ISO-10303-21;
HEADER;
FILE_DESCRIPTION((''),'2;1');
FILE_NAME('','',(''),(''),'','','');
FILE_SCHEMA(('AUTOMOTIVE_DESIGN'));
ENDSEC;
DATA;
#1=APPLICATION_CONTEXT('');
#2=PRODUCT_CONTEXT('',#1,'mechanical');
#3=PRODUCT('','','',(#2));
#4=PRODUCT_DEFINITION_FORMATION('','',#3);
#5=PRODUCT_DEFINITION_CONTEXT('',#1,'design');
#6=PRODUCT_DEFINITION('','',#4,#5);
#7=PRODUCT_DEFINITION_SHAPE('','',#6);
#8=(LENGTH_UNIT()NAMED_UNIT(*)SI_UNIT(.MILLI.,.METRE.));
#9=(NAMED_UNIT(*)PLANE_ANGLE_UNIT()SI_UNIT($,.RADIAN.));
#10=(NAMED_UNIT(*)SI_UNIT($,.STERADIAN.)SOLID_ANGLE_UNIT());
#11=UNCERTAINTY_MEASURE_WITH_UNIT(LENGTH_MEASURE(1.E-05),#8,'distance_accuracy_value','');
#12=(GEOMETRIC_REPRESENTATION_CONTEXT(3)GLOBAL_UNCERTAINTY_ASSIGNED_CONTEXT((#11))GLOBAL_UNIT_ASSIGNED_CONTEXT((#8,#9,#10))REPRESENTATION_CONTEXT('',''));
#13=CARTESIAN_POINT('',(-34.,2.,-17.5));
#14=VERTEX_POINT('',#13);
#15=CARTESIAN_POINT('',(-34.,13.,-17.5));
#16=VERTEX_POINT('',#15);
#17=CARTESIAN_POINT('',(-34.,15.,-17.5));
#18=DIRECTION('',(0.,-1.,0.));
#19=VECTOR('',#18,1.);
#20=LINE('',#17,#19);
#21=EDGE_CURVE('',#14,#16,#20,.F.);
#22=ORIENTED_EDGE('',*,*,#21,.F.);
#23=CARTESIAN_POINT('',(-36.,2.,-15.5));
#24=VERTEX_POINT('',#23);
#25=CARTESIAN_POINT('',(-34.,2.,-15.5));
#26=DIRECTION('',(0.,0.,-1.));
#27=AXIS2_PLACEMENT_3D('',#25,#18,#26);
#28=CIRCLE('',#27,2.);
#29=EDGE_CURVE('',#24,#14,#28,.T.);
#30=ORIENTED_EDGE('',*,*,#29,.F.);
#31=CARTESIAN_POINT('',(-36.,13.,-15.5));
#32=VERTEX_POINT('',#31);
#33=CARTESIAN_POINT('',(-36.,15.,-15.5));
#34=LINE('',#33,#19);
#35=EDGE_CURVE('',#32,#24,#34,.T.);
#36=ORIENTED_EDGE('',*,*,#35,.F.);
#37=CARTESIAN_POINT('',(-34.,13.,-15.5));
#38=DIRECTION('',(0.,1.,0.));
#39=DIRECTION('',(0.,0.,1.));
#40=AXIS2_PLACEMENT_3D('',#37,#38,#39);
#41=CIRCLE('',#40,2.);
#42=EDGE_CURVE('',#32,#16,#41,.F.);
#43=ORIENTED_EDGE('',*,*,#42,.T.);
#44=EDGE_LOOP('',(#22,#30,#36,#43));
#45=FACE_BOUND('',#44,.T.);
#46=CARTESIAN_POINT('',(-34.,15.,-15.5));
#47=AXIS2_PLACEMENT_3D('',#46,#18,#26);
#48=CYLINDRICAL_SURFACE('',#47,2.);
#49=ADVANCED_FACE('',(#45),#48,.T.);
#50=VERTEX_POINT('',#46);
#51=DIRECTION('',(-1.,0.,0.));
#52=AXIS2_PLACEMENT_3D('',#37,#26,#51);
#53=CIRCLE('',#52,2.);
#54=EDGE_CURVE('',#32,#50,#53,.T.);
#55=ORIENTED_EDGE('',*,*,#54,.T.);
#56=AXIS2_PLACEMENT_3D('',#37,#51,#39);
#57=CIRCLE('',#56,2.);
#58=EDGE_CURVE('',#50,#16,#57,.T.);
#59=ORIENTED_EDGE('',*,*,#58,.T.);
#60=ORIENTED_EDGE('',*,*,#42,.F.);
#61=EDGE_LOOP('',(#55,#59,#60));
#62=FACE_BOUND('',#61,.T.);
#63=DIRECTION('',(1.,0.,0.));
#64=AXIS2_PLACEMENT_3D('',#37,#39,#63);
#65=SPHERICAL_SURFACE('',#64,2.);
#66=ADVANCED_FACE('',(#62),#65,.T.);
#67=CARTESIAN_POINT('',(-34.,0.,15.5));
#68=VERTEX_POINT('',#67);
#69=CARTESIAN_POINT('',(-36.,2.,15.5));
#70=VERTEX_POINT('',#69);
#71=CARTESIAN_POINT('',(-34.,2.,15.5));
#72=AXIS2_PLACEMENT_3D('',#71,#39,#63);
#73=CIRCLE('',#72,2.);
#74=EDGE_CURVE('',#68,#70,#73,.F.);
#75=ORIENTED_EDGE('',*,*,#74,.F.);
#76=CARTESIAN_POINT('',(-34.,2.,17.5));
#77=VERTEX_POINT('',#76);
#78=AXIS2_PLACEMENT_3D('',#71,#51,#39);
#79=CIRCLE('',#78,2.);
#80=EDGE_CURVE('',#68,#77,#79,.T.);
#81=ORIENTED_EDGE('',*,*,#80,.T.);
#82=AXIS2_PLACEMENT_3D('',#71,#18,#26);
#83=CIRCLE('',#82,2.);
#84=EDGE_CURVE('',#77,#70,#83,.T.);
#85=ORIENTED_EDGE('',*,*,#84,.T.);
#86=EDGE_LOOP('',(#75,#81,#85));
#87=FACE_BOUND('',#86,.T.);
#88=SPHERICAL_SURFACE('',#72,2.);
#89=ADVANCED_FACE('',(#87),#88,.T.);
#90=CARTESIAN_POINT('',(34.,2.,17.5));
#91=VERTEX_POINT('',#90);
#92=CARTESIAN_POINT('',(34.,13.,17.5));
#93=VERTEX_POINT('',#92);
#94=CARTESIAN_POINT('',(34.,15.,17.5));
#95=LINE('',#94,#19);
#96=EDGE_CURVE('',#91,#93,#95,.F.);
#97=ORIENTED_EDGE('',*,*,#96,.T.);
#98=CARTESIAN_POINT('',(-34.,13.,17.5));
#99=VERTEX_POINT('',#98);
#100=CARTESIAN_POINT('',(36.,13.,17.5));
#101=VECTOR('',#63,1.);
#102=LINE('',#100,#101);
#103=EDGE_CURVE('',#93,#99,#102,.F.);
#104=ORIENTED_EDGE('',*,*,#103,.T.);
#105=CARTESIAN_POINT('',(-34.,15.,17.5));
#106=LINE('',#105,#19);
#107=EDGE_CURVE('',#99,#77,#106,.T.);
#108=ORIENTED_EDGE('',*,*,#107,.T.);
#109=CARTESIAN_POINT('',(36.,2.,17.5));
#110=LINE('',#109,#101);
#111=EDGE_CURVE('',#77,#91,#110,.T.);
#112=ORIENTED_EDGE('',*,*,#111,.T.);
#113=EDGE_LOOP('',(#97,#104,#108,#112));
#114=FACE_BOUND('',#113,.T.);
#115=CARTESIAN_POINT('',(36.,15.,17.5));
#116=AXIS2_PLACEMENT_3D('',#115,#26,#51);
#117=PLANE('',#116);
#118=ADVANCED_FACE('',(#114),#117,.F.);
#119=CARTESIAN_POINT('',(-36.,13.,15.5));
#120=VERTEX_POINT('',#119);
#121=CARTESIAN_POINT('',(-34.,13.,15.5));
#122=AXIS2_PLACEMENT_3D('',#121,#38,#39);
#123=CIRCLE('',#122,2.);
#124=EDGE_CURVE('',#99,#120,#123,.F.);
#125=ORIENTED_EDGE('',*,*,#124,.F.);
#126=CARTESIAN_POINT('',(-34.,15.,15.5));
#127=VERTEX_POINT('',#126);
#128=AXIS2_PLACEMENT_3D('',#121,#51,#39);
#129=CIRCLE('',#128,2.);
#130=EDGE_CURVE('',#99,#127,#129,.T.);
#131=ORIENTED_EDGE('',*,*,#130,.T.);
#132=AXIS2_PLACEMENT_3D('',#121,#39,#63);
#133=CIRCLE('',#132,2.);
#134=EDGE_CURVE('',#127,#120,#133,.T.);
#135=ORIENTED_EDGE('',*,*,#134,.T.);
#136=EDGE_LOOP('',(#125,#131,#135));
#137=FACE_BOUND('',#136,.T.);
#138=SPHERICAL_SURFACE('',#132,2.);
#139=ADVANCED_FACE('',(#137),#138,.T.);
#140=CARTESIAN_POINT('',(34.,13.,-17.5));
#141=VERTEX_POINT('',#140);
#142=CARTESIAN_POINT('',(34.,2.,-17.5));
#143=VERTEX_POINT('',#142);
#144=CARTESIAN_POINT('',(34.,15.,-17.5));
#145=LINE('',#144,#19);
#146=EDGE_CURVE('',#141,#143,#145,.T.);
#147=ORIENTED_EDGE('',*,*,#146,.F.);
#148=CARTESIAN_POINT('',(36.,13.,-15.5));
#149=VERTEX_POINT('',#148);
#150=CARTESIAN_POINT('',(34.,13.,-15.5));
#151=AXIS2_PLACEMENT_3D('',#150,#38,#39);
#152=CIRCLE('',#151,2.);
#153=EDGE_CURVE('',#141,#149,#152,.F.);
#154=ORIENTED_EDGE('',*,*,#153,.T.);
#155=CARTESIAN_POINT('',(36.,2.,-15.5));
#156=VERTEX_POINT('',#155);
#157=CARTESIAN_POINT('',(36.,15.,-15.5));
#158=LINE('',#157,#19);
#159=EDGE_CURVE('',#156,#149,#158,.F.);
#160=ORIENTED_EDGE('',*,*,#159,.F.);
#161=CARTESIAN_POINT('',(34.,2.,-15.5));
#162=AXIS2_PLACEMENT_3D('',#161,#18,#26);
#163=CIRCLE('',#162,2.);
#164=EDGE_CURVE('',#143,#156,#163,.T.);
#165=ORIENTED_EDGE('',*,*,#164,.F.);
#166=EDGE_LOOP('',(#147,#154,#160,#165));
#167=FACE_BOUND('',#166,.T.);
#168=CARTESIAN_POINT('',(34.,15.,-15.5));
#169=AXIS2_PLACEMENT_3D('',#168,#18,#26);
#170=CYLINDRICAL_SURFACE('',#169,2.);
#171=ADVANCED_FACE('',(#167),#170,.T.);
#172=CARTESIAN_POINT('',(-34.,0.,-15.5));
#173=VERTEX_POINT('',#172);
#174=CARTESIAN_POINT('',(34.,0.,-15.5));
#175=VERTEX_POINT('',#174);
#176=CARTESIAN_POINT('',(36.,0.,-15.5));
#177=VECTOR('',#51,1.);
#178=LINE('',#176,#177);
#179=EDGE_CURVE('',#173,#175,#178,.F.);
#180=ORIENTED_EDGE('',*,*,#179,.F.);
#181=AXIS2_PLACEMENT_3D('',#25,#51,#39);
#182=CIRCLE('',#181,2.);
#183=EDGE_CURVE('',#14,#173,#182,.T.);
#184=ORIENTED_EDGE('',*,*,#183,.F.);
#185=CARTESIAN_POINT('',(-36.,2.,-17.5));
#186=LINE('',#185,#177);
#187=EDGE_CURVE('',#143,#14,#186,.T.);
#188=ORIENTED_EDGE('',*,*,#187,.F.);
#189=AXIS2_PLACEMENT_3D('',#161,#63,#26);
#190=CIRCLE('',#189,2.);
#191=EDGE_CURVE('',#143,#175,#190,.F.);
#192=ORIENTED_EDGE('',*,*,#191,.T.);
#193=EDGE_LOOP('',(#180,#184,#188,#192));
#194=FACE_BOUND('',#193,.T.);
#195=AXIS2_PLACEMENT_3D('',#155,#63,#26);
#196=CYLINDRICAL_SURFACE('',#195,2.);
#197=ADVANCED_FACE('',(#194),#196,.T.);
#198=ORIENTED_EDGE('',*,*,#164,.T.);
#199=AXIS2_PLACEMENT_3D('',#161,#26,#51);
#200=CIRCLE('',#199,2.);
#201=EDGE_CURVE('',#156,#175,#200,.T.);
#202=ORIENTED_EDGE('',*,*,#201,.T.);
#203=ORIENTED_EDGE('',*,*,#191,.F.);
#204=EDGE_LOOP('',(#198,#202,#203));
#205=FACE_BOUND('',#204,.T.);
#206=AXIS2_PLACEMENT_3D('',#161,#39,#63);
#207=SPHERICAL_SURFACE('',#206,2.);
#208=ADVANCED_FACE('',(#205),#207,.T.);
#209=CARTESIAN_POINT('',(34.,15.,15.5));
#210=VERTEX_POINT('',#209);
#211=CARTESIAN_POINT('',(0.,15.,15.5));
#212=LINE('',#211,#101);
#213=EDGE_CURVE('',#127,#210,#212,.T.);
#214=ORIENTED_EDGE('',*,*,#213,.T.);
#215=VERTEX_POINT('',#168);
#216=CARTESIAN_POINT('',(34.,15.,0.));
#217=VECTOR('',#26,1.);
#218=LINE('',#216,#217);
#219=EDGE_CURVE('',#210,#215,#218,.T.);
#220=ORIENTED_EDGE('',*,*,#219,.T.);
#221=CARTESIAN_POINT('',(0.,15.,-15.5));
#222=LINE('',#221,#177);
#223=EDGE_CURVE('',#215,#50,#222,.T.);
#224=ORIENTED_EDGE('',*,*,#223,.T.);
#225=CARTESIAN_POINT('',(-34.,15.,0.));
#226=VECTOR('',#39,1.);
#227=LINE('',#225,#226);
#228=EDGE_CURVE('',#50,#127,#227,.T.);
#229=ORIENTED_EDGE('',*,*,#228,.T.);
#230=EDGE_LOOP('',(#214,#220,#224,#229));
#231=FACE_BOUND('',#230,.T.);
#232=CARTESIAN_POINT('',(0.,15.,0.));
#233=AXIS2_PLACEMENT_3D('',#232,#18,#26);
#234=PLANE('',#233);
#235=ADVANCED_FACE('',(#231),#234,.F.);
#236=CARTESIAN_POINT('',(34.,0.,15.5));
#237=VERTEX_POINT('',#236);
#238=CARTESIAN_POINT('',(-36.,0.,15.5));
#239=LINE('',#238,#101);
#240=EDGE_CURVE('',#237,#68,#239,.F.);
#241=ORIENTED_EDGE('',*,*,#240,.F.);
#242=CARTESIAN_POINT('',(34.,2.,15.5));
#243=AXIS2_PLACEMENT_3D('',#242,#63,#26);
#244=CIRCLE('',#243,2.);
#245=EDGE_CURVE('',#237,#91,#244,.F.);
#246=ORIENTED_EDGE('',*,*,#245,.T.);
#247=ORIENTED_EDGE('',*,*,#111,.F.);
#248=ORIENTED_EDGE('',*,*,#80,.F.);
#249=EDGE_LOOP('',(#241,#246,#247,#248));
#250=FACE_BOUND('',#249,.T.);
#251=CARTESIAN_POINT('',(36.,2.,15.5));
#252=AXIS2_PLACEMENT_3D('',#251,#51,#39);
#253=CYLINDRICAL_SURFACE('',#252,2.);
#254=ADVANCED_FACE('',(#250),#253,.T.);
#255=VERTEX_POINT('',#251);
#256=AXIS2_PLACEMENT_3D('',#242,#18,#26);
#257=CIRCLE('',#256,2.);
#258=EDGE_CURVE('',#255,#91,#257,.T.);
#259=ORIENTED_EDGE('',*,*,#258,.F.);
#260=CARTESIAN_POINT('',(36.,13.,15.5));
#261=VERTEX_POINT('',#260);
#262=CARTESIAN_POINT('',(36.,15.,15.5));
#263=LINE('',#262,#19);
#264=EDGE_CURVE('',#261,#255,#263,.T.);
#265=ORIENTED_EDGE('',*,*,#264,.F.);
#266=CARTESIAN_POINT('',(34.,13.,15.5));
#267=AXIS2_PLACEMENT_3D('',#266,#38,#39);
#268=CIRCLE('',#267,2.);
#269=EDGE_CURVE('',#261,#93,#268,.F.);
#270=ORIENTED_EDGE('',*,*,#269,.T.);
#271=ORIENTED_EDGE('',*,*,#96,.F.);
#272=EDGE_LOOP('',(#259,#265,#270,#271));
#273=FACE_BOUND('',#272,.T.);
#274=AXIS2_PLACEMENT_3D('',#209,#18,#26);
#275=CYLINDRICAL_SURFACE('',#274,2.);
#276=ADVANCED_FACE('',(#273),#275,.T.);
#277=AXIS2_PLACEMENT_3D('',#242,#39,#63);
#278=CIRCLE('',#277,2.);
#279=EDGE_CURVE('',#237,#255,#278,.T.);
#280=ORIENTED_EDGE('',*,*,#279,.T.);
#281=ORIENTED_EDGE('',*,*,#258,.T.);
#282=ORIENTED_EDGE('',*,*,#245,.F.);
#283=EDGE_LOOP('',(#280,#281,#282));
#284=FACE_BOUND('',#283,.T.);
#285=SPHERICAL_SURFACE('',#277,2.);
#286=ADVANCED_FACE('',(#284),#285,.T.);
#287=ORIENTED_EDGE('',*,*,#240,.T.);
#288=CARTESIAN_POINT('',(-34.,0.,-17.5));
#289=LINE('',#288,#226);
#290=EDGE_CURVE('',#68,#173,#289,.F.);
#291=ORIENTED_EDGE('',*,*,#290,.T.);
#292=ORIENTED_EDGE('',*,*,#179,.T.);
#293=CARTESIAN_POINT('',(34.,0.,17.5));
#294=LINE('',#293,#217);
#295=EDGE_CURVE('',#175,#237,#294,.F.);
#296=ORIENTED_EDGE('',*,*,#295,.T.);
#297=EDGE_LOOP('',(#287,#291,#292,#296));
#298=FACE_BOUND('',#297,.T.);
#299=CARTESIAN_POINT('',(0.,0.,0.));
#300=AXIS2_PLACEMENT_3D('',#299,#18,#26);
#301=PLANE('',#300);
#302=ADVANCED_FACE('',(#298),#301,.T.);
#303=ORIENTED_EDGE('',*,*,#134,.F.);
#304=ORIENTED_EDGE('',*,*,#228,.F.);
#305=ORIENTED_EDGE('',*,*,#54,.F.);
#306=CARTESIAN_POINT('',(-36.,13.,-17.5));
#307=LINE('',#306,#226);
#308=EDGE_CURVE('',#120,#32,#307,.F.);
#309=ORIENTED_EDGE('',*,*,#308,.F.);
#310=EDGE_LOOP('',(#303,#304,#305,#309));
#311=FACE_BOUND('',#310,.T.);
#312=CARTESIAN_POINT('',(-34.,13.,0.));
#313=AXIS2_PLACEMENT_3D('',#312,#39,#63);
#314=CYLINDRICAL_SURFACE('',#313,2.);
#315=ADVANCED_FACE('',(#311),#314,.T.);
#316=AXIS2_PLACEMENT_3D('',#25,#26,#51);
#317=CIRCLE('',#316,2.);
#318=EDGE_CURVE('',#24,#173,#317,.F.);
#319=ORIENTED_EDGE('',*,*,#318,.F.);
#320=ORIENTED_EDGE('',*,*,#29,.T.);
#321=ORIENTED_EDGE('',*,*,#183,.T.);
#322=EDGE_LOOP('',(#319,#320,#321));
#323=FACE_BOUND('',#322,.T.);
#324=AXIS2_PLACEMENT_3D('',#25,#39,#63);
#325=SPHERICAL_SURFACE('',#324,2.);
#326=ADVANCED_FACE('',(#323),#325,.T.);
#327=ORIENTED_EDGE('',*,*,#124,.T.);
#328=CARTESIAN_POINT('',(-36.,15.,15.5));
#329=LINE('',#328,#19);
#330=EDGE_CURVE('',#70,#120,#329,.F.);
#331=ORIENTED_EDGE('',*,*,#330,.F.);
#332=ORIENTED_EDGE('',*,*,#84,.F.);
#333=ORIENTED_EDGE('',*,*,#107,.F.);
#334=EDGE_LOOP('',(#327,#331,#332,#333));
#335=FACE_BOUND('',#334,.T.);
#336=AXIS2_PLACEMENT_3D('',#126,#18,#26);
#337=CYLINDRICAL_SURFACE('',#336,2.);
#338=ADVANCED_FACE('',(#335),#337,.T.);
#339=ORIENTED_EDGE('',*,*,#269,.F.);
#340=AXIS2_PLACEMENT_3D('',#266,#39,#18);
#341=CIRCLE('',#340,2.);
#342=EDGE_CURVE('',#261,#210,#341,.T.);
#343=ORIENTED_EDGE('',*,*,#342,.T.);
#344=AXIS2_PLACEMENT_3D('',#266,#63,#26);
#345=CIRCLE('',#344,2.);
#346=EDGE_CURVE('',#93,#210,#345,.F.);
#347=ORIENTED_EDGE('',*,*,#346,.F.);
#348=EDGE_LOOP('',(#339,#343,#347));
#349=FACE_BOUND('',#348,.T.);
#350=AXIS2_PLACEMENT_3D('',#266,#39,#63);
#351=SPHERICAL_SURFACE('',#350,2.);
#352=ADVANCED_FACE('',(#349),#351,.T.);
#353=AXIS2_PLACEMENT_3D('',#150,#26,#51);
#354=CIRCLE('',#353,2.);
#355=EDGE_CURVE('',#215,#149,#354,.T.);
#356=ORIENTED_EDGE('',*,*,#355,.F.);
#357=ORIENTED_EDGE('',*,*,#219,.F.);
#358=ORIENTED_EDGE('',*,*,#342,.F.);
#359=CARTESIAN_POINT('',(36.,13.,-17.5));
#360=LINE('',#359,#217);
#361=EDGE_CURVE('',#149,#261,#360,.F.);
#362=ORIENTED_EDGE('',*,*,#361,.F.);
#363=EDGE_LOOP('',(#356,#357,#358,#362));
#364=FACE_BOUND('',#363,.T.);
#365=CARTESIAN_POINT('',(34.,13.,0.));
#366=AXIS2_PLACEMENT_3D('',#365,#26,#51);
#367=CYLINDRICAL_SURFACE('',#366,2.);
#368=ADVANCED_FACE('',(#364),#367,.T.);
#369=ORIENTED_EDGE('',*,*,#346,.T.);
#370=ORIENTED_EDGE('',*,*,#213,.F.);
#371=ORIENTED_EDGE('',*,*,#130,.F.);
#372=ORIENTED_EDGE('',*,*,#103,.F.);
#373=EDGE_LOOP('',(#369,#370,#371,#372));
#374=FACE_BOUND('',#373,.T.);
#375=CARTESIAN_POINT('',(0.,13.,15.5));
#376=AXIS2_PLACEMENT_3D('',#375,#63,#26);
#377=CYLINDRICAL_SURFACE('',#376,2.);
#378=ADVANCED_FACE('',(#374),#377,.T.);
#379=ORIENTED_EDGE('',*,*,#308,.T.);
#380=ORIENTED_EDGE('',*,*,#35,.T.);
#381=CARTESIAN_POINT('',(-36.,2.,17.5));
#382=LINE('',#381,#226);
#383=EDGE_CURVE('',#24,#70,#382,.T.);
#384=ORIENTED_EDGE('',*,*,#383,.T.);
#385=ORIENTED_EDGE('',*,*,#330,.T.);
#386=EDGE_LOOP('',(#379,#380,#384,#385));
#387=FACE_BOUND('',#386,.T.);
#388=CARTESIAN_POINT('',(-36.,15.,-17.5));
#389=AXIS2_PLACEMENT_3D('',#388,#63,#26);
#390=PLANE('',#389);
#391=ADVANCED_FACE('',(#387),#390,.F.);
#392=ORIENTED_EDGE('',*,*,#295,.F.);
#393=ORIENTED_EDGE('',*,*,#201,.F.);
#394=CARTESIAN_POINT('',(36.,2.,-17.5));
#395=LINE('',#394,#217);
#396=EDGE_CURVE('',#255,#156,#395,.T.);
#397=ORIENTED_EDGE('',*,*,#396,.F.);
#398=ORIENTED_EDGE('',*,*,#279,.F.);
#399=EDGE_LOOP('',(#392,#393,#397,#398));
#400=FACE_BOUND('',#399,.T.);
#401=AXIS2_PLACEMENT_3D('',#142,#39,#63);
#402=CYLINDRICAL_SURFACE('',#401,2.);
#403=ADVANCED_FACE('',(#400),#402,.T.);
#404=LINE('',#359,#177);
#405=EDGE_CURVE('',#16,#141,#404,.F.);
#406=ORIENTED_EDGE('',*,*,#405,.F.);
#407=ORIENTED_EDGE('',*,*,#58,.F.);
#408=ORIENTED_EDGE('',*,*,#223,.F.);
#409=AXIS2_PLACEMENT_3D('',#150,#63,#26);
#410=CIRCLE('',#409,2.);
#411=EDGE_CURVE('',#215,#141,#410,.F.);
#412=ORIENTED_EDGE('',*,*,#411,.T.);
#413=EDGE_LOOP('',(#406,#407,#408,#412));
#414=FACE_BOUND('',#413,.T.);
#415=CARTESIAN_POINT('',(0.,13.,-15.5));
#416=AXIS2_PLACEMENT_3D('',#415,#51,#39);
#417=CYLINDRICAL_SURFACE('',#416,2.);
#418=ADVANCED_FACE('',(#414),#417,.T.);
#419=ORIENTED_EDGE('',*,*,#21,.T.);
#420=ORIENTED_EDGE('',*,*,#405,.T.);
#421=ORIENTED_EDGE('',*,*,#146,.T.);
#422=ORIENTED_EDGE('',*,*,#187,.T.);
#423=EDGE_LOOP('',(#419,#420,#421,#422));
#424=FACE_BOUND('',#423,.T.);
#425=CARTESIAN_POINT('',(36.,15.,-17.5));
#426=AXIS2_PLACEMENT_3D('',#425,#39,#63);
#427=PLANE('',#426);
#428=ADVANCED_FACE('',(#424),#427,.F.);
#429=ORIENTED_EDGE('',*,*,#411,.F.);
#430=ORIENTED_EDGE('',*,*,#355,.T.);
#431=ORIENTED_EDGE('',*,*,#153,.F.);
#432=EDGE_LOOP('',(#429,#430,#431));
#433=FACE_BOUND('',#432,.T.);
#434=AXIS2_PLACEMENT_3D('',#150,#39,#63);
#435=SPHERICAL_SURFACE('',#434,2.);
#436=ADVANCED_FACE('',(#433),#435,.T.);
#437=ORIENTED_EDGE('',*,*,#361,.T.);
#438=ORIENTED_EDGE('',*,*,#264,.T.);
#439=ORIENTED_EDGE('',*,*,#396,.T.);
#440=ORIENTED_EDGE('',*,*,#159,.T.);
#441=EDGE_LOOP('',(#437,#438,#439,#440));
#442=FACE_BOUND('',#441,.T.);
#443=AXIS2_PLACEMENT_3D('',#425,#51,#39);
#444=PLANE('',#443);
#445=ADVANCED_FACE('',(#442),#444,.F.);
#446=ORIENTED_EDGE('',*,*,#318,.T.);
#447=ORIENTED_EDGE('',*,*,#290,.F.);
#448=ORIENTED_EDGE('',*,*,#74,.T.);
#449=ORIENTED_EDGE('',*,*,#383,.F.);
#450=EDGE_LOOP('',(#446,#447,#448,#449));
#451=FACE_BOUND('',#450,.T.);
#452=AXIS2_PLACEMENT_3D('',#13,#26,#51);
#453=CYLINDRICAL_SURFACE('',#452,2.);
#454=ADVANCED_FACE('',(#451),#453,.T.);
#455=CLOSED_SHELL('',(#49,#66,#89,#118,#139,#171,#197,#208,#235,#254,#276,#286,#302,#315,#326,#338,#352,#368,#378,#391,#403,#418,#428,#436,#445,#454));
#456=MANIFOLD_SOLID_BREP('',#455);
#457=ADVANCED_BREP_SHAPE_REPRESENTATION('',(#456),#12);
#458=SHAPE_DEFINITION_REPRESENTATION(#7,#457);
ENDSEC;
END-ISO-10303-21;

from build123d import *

# Parameters (mm, degrees)
SKETCH1_W           = 72
SKETCH1_H           = 35
BOSS_EXTRUDE1_DEPTH = 15
FILLET1_R           = 2


with BuildPart() as part:
    # Sketch1 → Boss-Extrude1 (new body)
    with BuildSketch(Plane(origin=(0, 0, 0), x_dir=(1, 0, 0), z_dir=(0, 1, 0))):
        Rectangle(SKETCH1_W, SKETCH1_H)
    extrude(amount=BOSS_EXTRUDE1_DEPTH)

    # Fillet1
    fillet1_edges = [part.edges().sort_by_distance(p)[0] for p in [
        (36, 15, 0),
        (0, 15, -17.5),
        (-36, 15, 0),
        (0, 0, -17.5),
        (36, 0, 0),
        (0, 0, 17.5),
        (-36, 0, 0),
        (-36, 7.5, -17.5),
        (36, 7.5, -17.5),
        (36, 7.5, 17.5),
        (-36, 7.5, 17.5),
        (0, 15, 17.5),
    ]]
    fillet(fillet1_edges, radius=FILLET1_R)


solid = part.part
